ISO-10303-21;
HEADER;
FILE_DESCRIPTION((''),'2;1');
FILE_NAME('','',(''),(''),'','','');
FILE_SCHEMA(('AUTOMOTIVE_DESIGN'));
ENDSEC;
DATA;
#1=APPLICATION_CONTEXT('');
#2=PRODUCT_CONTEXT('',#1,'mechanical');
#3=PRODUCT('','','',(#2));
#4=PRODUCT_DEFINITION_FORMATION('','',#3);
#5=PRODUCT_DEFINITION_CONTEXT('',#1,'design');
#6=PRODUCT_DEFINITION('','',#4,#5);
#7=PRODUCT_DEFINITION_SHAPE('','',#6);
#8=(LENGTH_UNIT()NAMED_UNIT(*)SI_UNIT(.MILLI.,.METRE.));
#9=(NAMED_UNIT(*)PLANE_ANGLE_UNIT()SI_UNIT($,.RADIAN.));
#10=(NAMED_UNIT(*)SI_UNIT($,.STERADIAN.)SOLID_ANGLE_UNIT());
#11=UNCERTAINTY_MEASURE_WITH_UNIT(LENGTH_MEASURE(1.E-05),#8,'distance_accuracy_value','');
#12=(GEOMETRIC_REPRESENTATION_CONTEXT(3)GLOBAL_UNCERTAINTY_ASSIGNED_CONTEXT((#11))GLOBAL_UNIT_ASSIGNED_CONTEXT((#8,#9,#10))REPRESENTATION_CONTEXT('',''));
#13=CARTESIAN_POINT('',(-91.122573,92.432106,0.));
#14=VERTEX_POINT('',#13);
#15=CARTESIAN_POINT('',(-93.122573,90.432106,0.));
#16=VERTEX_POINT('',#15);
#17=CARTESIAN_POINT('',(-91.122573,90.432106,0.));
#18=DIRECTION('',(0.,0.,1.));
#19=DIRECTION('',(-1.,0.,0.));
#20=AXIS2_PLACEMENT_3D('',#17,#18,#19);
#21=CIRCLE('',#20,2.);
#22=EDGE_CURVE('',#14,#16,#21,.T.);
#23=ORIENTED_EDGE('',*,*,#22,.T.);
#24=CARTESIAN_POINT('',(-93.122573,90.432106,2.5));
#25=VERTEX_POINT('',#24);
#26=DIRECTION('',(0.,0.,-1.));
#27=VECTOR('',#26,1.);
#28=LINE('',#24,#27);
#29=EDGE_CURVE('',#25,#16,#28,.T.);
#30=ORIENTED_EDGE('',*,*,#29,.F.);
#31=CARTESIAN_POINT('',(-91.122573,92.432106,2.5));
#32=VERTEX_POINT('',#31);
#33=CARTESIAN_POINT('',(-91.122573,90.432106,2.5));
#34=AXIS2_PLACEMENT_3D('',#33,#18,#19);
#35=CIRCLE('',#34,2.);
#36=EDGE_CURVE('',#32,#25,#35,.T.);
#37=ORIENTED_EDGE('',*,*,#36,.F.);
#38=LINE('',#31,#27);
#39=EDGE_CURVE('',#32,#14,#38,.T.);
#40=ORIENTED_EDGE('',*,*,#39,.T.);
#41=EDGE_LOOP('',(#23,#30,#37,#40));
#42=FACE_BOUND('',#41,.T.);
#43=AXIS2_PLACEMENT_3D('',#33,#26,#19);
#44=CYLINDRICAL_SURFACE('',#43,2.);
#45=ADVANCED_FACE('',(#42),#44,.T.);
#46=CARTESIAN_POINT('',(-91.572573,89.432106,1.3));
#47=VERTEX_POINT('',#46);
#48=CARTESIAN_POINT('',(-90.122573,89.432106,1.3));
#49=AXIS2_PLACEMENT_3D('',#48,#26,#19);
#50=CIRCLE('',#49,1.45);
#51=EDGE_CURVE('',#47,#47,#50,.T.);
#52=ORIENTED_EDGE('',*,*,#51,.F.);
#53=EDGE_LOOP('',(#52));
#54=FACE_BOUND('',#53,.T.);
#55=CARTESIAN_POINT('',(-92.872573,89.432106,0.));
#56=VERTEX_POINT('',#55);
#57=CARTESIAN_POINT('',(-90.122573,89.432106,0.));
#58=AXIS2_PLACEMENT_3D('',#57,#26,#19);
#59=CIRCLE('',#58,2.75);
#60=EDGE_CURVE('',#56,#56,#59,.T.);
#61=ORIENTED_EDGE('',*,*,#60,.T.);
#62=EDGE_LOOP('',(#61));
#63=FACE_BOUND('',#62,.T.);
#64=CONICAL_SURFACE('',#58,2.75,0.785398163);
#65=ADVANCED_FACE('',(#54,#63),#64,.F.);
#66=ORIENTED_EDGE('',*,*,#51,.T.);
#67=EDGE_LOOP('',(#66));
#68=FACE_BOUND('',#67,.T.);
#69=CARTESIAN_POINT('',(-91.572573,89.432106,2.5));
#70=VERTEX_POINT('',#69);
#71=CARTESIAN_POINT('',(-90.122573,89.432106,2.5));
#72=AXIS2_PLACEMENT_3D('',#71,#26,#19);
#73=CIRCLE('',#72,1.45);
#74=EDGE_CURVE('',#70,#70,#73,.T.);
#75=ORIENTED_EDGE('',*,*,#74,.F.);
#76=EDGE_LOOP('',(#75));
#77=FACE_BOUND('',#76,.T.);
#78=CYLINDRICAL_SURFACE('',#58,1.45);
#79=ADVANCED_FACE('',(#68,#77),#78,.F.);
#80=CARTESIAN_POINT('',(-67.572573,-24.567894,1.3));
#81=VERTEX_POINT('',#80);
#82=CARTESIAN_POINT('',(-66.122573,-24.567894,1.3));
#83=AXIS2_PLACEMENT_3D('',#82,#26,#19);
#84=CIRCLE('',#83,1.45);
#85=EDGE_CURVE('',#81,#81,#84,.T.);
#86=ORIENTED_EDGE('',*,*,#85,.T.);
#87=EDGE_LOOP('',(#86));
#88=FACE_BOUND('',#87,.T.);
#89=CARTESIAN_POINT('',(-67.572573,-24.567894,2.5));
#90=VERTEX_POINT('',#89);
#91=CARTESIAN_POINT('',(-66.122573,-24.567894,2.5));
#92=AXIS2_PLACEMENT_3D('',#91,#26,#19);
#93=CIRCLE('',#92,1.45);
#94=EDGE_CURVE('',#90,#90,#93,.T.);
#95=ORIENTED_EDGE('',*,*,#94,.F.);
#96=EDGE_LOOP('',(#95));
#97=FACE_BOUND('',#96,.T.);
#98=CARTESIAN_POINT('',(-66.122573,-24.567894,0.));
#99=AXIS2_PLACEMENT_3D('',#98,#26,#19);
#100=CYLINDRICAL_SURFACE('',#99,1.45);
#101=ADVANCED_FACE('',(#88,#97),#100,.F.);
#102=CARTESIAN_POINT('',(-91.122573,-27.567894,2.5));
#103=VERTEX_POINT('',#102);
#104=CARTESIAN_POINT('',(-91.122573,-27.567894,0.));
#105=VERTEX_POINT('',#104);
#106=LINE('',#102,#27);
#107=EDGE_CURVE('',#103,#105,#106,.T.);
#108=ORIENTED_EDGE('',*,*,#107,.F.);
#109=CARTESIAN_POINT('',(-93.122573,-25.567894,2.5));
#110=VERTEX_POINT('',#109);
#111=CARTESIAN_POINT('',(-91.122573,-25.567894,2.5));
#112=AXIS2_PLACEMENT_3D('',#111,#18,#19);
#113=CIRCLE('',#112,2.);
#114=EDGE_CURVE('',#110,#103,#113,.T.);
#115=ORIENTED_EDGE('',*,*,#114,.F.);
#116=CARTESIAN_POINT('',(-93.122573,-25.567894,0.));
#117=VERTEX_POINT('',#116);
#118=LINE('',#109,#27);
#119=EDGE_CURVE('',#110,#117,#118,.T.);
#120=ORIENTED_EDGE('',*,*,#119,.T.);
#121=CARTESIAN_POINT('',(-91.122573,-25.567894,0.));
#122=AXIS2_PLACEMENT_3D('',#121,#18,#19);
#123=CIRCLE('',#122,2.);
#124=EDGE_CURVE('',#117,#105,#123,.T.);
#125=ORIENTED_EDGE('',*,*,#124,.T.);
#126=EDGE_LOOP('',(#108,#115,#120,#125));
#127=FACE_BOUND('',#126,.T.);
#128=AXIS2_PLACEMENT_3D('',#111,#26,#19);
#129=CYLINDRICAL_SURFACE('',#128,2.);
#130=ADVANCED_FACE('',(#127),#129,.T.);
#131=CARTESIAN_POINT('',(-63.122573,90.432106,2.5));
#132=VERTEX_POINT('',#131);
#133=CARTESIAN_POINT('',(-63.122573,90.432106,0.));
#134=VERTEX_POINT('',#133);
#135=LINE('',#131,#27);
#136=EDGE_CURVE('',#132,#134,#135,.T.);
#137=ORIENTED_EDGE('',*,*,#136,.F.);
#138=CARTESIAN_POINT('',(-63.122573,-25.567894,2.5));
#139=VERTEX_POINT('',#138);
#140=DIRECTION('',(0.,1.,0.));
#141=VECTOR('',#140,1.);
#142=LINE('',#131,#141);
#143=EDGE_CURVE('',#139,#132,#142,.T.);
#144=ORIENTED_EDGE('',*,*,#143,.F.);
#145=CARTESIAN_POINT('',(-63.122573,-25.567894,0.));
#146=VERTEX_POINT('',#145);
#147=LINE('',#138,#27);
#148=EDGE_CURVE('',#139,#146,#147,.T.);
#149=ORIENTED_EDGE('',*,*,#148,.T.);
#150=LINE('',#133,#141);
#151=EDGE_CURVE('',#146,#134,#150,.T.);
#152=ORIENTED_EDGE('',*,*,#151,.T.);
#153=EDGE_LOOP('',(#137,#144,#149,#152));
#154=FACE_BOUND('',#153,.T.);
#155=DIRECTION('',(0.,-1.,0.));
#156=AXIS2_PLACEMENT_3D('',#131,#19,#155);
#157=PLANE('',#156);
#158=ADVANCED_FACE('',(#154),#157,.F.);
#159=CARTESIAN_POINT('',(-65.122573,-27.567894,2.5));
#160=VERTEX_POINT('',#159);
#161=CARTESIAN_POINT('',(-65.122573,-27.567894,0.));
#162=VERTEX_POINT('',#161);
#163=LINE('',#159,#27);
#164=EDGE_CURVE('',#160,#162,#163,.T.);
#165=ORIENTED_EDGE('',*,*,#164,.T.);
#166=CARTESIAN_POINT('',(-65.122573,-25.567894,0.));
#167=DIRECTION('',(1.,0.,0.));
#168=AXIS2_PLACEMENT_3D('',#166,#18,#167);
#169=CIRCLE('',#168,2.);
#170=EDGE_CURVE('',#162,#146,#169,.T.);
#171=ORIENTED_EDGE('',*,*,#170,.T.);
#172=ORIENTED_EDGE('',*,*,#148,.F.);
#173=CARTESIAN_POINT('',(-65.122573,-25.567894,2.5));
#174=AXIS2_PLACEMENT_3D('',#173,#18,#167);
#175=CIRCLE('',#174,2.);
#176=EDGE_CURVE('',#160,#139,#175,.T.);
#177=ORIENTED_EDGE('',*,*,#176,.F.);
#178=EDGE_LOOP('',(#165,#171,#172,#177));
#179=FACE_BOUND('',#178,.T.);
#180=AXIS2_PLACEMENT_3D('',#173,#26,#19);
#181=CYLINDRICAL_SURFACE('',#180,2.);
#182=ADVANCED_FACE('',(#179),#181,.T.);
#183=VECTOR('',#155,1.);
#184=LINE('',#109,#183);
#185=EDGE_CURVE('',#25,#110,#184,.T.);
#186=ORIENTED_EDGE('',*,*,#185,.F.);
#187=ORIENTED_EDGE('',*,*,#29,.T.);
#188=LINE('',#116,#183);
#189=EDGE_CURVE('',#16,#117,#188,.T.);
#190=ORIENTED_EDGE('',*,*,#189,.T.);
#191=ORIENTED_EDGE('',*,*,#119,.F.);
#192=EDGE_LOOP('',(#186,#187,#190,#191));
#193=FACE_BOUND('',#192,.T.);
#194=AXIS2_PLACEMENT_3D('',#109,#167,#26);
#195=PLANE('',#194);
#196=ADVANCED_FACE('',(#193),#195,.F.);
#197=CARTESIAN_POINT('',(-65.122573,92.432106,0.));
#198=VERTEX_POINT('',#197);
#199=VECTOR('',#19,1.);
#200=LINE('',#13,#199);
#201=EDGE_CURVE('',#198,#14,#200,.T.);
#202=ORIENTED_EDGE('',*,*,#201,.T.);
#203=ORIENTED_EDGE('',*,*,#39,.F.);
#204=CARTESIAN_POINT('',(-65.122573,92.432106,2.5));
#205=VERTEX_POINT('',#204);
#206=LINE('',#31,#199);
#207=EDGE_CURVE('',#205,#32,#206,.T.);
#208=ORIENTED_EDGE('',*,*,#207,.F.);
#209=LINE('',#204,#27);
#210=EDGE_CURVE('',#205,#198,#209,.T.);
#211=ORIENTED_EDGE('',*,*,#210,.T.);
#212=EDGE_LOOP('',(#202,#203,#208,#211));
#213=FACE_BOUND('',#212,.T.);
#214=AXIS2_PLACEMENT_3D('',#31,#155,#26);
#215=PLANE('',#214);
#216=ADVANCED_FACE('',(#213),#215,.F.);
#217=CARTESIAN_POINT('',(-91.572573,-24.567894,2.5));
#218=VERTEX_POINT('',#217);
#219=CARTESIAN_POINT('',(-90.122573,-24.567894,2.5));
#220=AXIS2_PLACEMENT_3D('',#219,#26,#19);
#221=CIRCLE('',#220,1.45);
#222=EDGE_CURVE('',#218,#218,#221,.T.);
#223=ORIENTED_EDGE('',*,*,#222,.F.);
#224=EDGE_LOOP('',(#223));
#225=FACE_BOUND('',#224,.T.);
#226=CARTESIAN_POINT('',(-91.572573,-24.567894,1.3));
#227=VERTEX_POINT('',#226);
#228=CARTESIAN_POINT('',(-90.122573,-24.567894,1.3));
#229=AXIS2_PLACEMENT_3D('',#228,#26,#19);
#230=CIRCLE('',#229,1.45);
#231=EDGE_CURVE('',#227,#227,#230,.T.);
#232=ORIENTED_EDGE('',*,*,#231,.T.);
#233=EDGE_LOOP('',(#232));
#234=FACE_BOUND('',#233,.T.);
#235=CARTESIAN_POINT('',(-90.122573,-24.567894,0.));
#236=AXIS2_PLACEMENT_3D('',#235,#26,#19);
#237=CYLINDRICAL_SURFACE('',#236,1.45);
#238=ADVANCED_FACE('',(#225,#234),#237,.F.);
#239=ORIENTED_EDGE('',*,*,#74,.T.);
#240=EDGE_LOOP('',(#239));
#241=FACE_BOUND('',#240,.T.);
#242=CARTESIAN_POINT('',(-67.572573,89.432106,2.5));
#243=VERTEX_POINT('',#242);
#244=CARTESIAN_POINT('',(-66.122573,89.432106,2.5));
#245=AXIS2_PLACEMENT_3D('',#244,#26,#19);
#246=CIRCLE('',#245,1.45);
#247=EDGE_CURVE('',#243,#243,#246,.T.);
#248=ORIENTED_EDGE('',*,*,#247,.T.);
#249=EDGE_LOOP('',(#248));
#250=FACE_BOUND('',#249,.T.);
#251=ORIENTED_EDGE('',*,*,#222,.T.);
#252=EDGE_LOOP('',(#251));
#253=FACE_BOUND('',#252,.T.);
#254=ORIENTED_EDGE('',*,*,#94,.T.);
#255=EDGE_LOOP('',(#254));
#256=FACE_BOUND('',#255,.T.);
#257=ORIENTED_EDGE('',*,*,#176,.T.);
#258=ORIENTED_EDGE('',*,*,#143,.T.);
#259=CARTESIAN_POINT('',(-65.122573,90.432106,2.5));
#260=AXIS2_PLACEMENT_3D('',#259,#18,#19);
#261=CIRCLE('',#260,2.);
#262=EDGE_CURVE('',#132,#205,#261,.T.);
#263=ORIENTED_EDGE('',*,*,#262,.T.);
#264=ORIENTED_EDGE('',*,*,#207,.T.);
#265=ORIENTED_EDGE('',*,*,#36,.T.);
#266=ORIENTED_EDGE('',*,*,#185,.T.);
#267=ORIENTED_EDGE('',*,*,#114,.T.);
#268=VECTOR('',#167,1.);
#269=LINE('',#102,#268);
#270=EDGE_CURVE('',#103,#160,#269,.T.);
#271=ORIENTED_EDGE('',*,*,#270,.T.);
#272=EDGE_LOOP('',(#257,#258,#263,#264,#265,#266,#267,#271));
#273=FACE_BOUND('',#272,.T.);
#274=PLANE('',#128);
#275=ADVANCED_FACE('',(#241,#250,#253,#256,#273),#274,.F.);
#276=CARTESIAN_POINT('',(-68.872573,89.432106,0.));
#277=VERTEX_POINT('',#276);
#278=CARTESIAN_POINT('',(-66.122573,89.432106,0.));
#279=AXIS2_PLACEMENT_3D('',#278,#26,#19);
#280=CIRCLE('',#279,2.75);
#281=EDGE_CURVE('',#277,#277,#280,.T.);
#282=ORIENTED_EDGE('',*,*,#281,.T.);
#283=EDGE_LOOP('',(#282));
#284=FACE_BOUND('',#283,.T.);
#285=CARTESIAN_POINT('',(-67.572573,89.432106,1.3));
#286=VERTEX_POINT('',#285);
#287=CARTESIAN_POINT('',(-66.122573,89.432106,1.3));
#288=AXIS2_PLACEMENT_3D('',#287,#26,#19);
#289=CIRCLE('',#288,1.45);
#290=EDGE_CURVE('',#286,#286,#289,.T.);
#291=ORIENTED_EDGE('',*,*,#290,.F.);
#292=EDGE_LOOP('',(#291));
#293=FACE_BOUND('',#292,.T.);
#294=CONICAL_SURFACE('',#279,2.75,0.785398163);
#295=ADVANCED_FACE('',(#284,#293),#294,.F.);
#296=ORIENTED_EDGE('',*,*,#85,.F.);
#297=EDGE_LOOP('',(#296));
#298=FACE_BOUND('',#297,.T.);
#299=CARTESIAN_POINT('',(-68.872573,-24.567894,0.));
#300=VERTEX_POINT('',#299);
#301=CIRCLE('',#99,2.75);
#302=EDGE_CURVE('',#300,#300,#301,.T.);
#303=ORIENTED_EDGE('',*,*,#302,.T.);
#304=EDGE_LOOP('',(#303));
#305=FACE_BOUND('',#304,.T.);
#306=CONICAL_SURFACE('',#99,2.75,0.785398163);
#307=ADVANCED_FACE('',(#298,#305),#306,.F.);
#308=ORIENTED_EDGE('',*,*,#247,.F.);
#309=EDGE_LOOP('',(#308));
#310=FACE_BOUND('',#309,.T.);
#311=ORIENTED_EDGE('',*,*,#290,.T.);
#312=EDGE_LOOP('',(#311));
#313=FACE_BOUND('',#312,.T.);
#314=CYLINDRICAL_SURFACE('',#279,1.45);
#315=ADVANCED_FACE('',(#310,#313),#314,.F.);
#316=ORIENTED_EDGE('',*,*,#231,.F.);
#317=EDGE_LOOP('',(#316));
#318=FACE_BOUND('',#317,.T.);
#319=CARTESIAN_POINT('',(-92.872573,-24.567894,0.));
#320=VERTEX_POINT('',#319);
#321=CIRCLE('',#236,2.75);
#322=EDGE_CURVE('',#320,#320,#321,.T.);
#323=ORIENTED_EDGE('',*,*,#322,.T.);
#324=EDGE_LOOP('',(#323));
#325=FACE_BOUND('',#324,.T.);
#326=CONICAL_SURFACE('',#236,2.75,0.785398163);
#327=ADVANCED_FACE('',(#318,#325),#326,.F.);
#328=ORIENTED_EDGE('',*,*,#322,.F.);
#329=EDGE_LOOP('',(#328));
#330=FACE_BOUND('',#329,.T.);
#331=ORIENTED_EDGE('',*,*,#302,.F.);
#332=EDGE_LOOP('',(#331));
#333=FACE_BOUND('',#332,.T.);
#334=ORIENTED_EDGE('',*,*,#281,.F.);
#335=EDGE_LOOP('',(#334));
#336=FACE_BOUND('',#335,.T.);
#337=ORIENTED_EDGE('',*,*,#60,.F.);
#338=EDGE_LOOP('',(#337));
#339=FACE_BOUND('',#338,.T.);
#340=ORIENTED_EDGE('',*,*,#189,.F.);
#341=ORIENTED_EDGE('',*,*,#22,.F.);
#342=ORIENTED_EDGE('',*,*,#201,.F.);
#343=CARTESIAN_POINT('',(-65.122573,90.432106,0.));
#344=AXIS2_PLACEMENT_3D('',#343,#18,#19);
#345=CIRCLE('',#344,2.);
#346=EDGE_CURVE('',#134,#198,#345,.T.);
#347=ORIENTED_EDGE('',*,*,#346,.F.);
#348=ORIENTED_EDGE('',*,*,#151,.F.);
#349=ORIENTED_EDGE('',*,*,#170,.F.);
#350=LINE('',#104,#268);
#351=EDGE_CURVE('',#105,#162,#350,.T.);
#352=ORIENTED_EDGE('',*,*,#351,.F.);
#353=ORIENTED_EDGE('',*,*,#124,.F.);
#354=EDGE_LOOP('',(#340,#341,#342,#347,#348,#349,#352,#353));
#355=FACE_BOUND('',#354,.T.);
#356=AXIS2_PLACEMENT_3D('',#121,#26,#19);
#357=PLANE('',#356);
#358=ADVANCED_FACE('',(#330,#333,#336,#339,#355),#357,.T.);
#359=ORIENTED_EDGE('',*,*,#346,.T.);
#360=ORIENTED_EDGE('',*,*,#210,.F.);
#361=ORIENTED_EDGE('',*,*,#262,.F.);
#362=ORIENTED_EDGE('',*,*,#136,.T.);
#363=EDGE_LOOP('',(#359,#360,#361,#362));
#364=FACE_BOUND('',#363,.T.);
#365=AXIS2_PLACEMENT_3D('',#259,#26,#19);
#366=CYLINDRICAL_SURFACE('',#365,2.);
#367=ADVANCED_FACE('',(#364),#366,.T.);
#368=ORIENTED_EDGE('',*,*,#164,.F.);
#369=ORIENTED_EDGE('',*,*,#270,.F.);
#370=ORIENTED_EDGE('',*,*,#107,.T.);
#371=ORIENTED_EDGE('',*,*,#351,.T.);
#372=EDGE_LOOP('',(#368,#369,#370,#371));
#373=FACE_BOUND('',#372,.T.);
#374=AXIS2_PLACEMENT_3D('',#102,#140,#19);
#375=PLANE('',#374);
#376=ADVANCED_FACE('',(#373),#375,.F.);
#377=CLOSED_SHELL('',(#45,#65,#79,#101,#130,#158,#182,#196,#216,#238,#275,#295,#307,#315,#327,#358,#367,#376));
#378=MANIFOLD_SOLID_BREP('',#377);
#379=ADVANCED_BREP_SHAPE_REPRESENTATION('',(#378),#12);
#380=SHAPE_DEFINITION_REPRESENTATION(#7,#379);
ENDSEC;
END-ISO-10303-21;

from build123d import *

# Parameters (mm, degrees)
BOSS_EXTRUDE1_DEPTH                          = 2.5
CSK_FOR_M2_5_COUNTERSUNK_FLAT_HEAD_S_2_COUNT = 2
CSK_FOR_M2_5_COUNTERSUNK_FLAT_HEAD_S_2_PITCH = 24
CSK_FOR_M2_5_COUNTERSUNK_FLAT_HEAD_S_3_COUNT = 2
CSK_FOR_M2_5_COUNTERSUNK_FLAT_HEAD_S_3_PITCH = 114
CSK_FOR_M2_5_COUNTERSUNK_FLAT_HEAD_S_4_COUNT = 2
CSK_FOR_M2_5_COUNTERSUNK_FLAT_HEAD_S_4_PITCH = 116.498927034


with BuildPart() as part:
    # Sketch1 → Boss-Extrude1 (new body)
    with BuildSketch(Plane.XY):
        with BuildLine():
            Line((-63.122572744, 90.432106023), (-63.122572744, -25.567893977))
            ThreePointArc((-63.122572744, -25.567893977), (-63.708359182, -26.98210754), (-65.122572744, -27.567893977))
            Line((-65.122572744, -27.567893977), (-91.122572744, -27.567893977))
            ThreePointArc((-91.122572744, -27.567893977), (-92.536786306, -26.98210754), (-93.122572744, -25.567893977))
            Line((-93.122572744, -25.567893977), (-93.122572744, 90.432106023))
            ThreePointArc((-93.122572744, 90.432106023), (-92.536786306, 91.846319585), (-91.122572744, 92.432106023))
            Line((-91.122572744, 92.432106023), (-65.122572744, 92.432106023))
            ThreePointArc((-65.122572744, 92.432106023), (-63.708359182, 91.846319585), (-63.122572744, 90.432106023))
        make_face()
    extrude(amount=BOSS_EXTRUDE1_DEPTH)

    # Sketch3 → CSK for M2.5 Countersunk Flat Head Screw2 (revolve, cut)
    with BuildSketch(Plane(origin=(-66.122572744, 89.432106023, 0), x_dir=(0, 1, 0), z_dir=(1, 0, 0))):
        Polygon((0, 0), (0, 2.5), (1.45, 2.5), (1.45, 1.3), (2.75, 0), align=None)
    csk_for_m2_5_countersunk_flat_head_screw = revolve(axis=Axis((-66.122572744, 89.432106023, -6.35), (0, 0, 1)), mode=Mode.SUBTRACT)

    # CSK for M2.5 Countersunk Flat Head S 2: CSK for M2.5 Countersunk Flat Head Screw2 ×2
    with Locations(*[(-i * CSK_FOR_M2_5_COUNTERSUNK_FLAT_HEAD_S_2_PITCH, 0, 0) for i in range(1, CSK_FOR_M2_5_COUNTERSUNK_FLAT_HEAD_S_2_COUNT)]):
        add(csk_for_m2_5_countersunk_flat_head_screw, mode=Mode.SUBTRACT)

    # CSK for M2.5 Countersunk Flat Head S 3: CSK for M2.5 Countersunk Flat Head Screw2 ×2
    with Locations(*[(0, -i * CSK_FOR_M2_5_COUNTERSUNK_FLAT_HEAD_S_3_PITCH, 0) for i in range(1, CSK_FOR_M2_5_COUNTERSUNK_FLAT_HEAD_S_3_COUNT)]):
        add(csk_for_m2_5_countersunk_flat_head_screw, mode=Mode.SUBTRACT)

    # CSK for M2.5 Countersunk Flat Head S 4: CSK for M2.5 Countersunk Flat Head Screw2 ×2
    with Locations(*[Vector(-0.20601048104984201, -0.978549784986749, 0) * (i * CSK_FOR_M2_5_COUNTERSUNK_FLAT_HEAD_S_4_PITCH) for i in range(1, CSK_FOR_M2_5_COUNTERSUNK_FLAT_HEAD_S_4_COUNT)]):
        add(csk_for_m2_5_countersunk_flat_head_screw, mode=Mode.SUBTRACT)


solid = part.part
